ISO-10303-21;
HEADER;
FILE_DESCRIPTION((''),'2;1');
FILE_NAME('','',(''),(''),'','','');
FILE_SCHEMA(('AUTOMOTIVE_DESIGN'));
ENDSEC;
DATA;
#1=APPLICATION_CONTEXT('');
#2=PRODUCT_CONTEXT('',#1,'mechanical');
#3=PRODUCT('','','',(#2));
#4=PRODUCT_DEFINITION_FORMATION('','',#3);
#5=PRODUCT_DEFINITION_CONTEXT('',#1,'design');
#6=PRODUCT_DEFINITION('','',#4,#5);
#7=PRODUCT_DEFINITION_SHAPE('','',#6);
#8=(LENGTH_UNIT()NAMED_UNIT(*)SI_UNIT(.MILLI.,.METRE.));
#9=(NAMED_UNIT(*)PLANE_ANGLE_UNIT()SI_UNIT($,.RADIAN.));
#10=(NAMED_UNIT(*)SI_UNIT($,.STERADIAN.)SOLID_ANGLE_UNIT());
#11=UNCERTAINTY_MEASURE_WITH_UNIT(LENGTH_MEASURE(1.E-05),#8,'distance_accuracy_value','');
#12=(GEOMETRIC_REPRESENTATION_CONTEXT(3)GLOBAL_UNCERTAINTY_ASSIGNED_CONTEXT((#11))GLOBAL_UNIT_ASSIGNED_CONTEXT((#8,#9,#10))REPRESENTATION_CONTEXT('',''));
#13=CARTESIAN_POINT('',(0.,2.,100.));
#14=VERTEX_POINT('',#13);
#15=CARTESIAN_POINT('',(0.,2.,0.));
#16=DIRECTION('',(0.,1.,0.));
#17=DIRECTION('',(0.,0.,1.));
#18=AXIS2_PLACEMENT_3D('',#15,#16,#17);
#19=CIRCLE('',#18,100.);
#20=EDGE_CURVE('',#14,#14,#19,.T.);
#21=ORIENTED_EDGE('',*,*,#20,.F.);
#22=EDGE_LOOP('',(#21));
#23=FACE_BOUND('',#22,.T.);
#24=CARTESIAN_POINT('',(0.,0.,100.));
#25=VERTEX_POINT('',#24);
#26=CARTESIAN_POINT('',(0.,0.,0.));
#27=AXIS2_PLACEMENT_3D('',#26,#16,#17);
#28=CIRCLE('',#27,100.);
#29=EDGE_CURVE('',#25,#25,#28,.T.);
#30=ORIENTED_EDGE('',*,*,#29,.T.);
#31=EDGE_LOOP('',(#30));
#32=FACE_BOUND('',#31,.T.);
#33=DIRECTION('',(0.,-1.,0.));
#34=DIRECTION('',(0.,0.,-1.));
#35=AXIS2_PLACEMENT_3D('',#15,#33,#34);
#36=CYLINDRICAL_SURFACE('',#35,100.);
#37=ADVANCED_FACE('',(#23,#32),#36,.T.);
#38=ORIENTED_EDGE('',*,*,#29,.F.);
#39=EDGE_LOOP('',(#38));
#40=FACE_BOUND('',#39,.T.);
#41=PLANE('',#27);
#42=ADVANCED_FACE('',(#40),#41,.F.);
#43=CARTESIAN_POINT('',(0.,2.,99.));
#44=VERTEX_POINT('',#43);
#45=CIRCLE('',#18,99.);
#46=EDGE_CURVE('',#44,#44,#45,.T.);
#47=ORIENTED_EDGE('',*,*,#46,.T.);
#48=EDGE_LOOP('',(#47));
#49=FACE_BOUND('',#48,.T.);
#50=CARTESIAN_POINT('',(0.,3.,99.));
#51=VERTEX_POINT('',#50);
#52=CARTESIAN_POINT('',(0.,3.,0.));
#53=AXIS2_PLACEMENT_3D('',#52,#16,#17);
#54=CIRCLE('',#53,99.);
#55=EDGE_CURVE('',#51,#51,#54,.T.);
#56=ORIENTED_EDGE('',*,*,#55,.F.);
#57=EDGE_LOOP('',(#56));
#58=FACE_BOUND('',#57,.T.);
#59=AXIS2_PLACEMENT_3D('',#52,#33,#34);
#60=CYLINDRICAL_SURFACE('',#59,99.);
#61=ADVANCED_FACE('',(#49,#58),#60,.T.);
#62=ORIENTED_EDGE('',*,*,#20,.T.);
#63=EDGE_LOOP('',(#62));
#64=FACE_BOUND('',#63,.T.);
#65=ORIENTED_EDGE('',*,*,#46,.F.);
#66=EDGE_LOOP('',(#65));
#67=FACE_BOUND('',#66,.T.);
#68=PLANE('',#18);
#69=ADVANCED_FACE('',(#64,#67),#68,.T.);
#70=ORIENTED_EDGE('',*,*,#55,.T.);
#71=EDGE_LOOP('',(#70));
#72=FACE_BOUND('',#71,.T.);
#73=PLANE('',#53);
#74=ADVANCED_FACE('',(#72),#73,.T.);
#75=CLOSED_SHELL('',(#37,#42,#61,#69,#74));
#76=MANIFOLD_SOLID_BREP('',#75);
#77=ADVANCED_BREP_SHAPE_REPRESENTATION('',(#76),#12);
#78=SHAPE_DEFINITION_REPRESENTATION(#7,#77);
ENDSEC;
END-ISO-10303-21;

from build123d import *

# Parameters (mm, degrees)
SKETCH1_R           = 100
SKETCH1_R_2         = 99
BOSS_EXTRUDE1_DEPTH = 2
SKETCH1_3_R         = 99
BOSS_EXTRUDE2_DEPTH = 3


with BuildPart() as part:
    # Sketch1 → Boss-Extrude1 (new body)
    with BuildSketch(Plane(origin=(0, 0, 0), x_dir=(1, 0, 0), z_dir=(0, 1, 0))):
        Circle(SKETCH1_R)
        Circle(SKETCH1_R_2, mode=Mode.SUBTRACT)
    extrude(amount=BOSS_EXTRUDE1_DEPTH)

    # Sketch1<3> → Boss-Extrude2 (add)
    with BuildSketch(Plane(origin=(0, 0, 0), x_dir=(1, 0, 0), z_dir=(0, 1, 0))):
        Circle(SKETCH1_3_R)
    extrude(amount=BOSS_EXTRUDE2_DEPTH)


solid = part.part
